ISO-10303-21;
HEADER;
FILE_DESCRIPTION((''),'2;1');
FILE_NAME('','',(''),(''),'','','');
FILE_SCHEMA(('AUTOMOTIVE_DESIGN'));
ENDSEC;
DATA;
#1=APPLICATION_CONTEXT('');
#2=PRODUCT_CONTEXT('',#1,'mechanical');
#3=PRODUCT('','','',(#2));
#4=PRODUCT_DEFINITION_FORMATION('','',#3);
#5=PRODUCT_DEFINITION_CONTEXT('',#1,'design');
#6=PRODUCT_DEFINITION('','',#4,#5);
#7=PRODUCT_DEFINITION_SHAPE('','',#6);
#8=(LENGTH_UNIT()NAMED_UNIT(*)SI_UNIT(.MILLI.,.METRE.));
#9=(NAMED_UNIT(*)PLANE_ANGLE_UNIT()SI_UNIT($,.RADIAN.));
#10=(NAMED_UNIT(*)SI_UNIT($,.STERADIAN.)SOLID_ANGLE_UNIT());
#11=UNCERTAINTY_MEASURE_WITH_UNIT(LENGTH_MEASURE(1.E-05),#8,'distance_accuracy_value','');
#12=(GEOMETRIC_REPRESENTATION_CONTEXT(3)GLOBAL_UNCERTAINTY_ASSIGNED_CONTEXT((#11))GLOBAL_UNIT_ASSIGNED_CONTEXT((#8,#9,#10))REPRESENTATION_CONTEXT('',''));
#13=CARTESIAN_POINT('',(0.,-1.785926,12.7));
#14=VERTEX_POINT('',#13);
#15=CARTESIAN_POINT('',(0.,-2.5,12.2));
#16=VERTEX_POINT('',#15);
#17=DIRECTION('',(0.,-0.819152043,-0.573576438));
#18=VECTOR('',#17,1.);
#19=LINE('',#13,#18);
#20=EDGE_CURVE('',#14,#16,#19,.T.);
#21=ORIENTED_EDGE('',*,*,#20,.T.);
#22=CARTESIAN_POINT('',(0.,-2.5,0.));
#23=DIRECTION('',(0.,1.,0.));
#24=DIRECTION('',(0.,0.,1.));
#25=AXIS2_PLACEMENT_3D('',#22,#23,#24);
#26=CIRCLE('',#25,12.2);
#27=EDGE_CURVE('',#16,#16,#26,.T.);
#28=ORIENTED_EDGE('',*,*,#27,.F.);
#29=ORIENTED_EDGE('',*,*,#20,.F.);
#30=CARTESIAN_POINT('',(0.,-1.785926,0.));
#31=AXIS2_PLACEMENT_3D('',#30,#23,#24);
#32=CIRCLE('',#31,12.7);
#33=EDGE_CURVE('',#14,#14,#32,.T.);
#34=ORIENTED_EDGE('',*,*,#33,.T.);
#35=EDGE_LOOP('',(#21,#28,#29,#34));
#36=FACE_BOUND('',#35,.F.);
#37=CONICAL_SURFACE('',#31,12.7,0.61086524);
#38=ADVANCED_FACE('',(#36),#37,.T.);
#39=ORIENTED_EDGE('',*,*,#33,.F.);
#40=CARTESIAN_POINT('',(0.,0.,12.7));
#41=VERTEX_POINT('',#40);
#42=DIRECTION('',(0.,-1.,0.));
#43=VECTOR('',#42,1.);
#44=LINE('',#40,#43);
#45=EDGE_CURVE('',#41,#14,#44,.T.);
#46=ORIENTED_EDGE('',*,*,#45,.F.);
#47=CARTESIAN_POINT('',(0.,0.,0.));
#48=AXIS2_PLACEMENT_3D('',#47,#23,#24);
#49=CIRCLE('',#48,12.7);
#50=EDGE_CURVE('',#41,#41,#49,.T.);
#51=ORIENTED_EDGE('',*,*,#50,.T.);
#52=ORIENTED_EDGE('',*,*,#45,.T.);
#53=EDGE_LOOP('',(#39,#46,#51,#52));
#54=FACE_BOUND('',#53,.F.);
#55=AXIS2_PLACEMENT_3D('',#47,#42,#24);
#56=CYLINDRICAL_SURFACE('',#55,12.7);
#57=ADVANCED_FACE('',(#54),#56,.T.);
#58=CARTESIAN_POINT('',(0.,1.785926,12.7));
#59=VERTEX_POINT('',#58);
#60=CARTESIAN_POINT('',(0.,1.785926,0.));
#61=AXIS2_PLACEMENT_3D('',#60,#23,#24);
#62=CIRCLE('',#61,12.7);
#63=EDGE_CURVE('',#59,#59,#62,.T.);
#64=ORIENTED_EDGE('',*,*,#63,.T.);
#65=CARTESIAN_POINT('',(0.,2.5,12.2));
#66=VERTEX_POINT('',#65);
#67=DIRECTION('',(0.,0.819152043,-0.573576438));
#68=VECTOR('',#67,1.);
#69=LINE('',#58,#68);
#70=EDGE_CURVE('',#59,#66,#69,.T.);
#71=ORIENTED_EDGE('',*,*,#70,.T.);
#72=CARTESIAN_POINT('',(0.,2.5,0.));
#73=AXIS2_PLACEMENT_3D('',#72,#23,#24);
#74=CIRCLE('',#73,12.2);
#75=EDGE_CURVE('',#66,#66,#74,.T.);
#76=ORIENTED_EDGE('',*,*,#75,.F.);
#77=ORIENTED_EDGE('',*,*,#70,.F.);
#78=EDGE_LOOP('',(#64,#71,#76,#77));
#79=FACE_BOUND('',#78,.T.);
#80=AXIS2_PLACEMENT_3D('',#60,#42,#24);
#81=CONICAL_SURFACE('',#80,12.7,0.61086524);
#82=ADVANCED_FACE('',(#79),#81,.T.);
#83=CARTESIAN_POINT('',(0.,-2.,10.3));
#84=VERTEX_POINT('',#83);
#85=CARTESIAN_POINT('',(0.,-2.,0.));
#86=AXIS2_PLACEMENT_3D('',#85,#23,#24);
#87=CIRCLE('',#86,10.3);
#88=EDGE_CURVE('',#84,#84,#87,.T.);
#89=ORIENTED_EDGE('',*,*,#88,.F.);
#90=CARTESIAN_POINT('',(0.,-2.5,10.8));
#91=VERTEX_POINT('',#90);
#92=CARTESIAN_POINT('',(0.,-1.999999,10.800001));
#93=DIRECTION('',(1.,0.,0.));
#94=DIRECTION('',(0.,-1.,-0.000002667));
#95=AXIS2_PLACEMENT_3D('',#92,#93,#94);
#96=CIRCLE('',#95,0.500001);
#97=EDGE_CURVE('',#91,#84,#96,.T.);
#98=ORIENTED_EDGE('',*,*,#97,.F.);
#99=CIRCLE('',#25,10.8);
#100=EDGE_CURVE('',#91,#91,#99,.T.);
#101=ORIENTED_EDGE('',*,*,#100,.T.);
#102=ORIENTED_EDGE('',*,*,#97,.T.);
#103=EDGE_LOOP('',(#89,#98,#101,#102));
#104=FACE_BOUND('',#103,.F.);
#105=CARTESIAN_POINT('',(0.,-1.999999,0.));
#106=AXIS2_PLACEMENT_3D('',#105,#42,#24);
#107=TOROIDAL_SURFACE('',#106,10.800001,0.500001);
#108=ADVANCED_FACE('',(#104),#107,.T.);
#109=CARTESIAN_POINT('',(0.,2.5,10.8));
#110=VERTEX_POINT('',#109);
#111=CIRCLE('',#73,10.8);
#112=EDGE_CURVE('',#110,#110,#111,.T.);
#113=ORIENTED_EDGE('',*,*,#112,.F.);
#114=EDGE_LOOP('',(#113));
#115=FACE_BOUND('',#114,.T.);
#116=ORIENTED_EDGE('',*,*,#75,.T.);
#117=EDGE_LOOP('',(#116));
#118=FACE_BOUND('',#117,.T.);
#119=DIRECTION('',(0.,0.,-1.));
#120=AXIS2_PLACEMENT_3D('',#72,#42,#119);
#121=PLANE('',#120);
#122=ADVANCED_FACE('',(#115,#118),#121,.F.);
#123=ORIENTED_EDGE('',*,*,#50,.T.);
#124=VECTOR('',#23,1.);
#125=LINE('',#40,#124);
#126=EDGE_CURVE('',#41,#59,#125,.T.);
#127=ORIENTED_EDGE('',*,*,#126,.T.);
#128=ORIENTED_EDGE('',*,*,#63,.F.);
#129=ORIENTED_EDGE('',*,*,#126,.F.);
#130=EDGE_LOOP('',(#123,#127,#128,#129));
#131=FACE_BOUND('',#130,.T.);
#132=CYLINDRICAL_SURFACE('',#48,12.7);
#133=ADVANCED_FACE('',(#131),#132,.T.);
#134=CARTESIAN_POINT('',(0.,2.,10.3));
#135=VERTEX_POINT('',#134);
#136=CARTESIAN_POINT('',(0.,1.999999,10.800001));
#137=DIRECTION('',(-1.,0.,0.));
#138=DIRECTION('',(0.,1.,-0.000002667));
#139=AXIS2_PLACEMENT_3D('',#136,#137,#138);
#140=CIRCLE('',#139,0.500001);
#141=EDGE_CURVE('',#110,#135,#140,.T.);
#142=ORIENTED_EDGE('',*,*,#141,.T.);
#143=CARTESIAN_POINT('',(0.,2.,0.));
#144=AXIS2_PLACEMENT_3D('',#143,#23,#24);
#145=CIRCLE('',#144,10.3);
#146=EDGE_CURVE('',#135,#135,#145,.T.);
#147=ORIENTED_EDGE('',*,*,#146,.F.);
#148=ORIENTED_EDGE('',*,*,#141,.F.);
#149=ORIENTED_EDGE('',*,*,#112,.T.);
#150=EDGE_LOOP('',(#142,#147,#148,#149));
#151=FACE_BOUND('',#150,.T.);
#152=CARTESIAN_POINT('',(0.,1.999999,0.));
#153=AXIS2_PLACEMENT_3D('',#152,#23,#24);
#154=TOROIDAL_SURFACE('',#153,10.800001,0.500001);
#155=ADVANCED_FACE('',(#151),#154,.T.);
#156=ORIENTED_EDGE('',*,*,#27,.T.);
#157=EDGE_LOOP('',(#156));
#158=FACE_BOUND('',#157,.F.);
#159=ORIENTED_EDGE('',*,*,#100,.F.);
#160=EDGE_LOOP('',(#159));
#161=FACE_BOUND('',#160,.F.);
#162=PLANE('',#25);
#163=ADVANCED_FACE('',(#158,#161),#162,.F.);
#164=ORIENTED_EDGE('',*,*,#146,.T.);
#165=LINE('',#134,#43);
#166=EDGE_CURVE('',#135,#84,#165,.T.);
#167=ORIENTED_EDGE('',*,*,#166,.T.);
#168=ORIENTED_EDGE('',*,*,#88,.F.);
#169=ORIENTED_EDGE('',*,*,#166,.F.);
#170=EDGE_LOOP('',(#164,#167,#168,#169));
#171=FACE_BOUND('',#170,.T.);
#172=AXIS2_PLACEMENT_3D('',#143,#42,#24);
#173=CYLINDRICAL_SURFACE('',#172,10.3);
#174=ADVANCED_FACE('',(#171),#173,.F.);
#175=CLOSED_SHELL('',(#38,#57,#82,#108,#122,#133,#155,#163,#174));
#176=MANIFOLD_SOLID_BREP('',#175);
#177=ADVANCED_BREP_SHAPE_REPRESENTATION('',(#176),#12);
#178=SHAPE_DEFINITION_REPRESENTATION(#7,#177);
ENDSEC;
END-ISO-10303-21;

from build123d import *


with BuildPart() as f1:
    # F0 (on Right) → F1 (revolve)
    with BuildSketch(Plane.YZ):
        with BuildLine():
            ThreePointArc((-2.5, 10.8), (-2.353553, 10.446447), (-2, 10.3))
            Line((-2, 10.3), (0, 10.3))
            Line((0, 10.3), (0, 12.7))
            Line((0, 12.7), (-1.785926, 12.7))
            Line((-1.785926, 12.7), (-2.5, 12.2))
            Line((-2.5, 12.2), (-2.5, 10.8))
        make_face()
    revolve(axis=Axis((0, 8.239998, 0), (0, 1, 0)))

    # F2: F1 across plane


with BuildPart() as f1_1:
    add(f1.part)
    add(f1.part.mirror(Plane.XZ))


solid = f1_1.part
